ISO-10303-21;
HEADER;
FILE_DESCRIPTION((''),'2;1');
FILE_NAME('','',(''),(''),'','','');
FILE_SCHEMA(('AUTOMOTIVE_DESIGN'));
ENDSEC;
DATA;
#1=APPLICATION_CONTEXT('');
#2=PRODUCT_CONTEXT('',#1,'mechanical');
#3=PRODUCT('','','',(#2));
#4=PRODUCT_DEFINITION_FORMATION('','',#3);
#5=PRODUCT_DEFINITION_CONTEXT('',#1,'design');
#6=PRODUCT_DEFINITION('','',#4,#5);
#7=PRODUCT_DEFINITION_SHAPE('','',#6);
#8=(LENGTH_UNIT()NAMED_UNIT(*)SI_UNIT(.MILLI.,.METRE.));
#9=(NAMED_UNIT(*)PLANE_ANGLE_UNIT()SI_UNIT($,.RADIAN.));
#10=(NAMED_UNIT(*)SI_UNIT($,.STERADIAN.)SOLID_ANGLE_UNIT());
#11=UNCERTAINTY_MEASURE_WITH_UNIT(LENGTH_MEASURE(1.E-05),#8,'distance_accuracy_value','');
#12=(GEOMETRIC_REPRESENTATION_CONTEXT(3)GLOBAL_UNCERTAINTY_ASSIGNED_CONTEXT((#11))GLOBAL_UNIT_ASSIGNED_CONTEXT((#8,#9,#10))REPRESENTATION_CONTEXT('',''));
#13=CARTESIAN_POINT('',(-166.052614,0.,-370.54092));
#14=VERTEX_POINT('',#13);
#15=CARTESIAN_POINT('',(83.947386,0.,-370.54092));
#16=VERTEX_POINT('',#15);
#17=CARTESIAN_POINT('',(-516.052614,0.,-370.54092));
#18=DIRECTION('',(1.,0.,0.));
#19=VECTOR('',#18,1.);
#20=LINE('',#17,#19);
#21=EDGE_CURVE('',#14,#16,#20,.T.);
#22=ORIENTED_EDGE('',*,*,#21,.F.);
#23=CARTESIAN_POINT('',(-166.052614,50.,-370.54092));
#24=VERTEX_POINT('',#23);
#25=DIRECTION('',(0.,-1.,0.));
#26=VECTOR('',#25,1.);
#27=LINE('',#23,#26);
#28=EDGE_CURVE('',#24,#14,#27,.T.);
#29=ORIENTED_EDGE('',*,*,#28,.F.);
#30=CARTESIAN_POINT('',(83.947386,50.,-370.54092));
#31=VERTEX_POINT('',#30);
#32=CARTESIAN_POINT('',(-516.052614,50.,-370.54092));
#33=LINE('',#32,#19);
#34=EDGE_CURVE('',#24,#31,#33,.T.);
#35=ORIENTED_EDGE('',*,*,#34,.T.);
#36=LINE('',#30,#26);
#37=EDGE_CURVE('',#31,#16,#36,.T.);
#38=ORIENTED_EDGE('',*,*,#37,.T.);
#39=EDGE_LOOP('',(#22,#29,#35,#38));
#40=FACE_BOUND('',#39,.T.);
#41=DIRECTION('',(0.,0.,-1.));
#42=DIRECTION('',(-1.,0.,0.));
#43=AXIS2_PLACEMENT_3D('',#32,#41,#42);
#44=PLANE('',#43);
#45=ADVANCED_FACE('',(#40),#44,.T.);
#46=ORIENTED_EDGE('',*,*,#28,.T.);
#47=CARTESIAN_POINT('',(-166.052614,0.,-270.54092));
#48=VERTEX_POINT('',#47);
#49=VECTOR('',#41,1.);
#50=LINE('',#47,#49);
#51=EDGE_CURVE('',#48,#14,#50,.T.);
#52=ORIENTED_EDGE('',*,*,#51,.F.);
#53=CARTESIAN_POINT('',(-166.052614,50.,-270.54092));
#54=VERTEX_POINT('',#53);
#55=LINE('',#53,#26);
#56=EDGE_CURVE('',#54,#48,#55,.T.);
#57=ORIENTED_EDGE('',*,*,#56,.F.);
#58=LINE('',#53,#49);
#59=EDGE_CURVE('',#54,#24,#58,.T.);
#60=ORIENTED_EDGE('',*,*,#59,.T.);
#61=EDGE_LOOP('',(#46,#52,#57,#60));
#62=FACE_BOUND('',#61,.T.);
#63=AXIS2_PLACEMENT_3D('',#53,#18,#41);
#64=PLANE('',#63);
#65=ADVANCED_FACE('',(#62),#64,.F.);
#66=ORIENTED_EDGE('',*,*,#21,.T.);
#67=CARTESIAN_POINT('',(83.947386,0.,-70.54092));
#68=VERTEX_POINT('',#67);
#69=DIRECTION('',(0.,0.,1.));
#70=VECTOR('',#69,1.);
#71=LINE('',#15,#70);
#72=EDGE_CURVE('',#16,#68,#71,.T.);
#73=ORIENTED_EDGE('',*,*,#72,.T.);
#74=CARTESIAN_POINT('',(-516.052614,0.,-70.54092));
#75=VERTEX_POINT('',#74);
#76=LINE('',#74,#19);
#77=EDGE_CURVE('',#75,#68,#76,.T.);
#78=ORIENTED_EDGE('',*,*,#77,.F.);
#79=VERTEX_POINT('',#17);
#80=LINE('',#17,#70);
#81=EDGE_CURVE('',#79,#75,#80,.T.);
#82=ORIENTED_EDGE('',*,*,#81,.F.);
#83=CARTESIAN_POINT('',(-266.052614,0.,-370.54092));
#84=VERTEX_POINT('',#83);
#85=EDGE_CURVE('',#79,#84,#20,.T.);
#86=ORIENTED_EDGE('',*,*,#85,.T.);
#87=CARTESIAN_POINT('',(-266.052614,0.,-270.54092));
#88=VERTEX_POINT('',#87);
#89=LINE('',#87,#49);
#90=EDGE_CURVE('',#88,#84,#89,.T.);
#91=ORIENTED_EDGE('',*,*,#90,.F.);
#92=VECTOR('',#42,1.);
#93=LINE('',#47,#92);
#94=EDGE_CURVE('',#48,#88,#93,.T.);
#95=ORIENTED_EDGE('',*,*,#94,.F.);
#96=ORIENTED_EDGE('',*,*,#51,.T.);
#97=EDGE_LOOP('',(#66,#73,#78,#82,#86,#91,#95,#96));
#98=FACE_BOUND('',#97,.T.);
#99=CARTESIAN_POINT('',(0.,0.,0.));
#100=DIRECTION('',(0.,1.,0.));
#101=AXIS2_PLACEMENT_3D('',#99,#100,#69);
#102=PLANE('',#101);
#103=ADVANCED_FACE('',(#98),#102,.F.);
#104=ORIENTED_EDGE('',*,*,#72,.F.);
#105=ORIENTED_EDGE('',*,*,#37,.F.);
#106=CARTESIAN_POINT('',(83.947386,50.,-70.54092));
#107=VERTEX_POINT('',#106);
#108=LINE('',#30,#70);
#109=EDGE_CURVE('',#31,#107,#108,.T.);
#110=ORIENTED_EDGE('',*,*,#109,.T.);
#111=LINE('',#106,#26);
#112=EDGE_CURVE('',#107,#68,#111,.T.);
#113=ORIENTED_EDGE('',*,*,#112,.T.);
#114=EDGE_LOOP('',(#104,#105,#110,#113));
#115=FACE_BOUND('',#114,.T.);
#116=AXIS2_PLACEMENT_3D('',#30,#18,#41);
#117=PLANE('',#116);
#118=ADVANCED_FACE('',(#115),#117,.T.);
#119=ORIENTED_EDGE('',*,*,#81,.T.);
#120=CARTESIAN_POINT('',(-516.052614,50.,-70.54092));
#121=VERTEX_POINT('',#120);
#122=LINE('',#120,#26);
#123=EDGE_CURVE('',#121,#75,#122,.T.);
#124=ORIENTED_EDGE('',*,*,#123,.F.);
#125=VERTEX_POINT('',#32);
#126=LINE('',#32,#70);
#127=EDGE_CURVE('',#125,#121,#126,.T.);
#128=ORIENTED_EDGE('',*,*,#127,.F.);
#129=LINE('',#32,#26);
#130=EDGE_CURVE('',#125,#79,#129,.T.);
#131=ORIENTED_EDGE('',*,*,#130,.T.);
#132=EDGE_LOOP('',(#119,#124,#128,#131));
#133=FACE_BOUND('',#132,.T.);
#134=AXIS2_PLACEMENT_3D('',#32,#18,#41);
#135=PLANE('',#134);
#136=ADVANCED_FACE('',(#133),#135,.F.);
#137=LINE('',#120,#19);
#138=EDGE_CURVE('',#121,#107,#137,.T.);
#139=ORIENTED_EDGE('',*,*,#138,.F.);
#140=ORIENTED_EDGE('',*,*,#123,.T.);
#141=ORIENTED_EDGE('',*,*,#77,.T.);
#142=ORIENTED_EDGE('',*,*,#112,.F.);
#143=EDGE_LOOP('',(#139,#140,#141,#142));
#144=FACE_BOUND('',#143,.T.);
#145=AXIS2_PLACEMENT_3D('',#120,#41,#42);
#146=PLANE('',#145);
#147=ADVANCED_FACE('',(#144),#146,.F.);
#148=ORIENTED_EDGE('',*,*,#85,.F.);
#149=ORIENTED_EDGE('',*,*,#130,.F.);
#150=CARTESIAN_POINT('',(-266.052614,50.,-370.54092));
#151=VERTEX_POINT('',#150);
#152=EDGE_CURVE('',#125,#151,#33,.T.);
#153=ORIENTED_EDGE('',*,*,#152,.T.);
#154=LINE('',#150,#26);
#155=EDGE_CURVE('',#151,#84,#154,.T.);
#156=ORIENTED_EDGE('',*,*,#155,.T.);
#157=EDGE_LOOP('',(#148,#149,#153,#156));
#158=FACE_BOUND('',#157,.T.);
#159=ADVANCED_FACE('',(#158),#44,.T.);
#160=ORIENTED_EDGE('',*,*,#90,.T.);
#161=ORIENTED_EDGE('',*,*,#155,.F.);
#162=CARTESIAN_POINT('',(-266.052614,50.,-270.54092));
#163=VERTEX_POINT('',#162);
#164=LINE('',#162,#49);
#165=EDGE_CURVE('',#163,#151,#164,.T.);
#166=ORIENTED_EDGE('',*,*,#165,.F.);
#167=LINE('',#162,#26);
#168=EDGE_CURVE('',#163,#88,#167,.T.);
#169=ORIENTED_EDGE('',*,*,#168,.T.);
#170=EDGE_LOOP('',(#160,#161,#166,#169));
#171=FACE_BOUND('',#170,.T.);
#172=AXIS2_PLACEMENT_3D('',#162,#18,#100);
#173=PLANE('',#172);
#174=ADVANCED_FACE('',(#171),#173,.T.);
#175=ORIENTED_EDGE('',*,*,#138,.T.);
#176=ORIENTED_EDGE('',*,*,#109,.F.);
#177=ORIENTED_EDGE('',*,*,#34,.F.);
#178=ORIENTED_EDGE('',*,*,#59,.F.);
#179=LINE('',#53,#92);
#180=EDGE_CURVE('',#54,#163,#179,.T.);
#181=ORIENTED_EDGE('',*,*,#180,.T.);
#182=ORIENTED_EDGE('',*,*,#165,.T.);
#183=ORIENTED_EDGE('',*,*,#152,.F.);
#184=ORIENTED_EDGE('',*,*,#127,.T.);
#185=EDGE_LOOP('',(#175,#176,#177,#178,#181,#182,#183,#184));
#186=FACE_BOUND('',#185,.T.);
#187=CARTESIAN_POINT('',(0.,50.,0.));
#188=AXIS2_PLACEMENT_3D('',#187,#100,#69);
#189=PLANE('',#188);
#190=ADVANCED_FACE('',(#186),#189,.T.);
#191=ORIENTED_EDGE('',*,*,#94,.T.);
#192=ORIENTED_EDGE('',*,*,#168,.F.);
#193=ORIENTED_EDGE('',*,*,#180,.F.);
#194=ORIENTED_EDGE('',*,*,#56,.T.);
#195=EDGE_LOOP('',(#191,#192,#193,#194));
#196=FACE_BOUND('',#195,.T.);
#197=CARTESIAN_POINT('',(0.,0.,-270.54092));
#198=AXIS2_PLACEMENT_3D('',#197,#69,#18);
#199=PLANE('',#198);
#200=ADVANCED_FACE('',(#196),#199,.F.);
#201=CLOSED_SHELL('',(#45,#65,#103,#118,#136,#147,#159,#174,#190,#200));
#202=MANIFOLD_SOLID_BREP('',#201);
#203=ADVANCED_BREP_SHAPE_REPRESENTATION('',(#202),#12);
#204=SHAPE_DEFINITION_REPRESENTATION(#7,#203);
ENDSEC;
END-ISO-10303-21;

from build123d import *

# Parameters (mm, degrees)
SKETCH1_W           = 600
SKETCH1_H           = 300
BOSS_EXTRUDE1_DEPTH = 50
SKETCH2_W           = 100
SKETCH2_H           = 50
CUT_EXTRUDE1_DEPTH  = 100


with BuildPart() as part:
    # Sketch1 → Boss-Extrude1 (new body)
    with BuildSketch(Plane(origin=(0, 0, 0), x_dir=(1, 0, 0), z_dir=(0, 1, 0))):
        with Locations((-216.052613816, 220.540919523)):
            Rectangle(SKETCH1_W, SKETCH1_H)
    extrude(amount=BOSS_EXTRUDE1_DEPTH)

    # Sketch2 → Cut-Extrude1 (cut)
    with BuildSketch(Plane(origin=(0, 0, -370.540919523), x_dir=(-1, 0, 0), z_dir=(0, 0, -1))):
        with Locations((216.052613816, 25)):
            Rectangle(SKETCH2_W, SKETCH2_H)
    extrude(amount=-CUT_EXTRUDE1_DEPTH, mode=Mode.SUBTRACT)


solid = part.part
